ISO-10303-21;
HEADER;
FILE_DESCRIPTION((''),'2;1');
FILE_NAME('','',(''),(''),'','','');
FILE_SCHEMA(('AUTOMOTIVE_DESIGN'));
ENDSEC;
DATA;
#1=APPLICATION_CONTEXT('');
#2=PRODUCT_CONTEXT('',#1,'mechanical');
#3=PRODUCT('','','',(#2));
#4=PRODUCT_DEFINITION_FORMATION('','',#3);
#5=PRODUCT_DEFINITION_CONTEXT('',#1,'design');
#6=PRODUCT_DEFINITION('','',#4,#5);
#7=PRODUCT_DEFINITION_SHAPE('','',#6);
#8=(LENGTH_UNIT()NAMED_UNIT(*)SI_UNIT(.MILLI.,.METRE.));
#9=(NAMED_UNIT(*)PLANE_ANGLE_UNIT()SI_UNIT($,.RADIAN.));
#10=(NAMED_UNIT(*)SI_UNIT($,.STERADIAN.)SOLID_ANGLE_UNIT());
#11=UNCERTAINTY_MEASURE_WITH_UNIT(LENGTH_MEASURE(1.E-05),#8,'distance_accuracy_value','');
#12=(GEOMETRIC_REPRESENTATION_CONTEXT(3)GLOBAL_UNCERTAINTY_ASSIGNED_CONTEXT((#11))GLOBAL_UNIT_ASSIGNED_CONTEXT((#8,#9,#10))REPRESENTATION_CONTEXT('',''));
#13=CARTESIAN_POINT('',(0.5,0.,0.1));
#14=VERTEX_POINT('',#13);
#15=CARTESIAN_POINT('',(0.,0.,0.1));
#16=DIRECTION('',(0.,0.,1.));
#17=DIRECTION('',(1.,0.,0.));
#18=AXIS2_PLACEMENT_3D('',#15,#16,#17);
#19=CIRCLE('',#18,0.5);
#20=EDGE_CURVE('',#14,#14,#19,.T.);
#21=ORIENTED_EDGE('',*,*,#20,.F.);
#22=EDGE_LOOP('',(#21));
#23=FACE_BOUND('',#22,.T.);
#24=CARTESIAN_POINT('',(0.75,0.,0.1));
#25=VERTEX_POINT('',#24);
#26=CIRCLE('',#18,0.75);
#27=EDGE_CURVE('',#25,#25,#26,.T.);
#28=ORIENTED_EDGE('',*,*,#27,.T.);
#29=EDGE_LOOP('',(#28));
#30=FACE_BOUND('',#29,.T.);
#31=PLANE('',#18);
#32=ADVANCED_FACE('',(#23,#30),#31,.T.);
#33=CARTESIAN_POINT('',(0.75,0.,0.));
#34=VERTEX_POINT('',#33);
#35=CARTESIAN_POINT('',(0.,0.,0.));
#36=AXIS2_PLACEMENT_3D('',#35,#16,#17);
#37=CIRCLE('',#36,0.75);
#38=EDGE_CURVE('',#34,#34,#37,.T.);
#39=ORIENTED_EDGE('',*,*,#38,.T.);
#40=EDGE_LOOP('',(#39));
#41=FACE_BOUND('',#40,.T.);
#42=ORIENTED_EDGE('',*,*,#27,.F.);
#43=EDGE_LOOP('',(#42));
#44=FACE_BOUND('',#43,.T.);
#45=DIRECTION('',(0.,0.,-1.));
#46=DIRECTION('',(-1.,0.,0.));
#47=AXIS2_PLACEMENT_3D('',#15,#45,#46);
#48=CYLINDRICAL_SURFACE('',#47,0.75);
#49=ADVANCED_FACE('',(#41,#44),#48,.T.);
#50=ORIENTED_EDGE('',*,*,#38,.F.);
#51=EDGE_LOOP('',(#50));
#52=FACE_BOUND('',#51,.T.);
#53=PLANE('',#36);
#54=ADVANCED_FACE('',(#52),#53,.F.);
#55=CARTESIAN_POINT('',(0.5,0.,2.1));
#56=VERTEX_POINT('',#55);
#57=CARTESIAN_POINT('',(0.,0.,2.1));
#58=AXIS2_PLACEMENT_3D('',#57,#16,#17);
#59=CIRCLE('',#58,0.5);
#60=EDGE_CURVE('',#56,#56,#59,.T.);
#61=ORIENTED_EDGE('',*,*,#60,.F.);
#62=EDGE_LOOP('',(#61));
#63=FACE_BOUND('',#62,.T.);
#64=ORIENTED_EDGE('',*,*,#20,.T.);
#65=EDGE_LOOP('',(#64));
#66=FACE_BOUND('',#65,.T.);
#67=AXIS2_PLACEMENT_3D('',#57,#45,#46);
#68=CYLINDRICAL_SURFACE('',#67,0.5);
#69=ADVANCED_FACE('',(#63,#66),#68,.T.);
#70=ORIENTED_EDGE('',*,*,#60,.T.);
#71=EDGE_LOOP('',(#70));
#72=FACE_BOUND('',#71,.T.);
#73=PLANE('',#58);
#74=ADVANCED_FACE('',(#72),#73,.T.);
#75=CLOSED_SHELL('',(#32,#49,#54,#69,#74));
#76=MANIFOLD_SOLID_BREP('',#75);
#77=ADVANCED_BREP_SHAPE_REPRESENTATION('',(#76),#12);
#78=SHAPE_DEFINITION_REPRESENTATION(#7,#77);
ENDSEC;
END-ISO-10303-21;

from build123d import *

# Parameters (mm, degrees)
CROQUIS1_R              = 0.75
SALIENTE_EXTRUIR1_DEPTH = 0.1
CROQUIS2_R              = 0.5
SALIENTE_EXTRUIR2_DEPTH = 2


with BuildPart() as part:
    # Croquis1 → Saliente-Extruir1 (new body)
    with BuildSketch(Plane.XY):
        Circle(CROQUIS1_R)
    extrude(amount=SALIENTE_EXTRUIR1_DEPTH)

    # Croquis2 → Saliente-Extruir2 (add)
    with BuildSketch(Plane.XY.offset(0.1)):
        Circle(CROQUIS2_R)
    extrude(amount=SALIENTE_EXTRUIR2_DEPTH)


solid = part.part
